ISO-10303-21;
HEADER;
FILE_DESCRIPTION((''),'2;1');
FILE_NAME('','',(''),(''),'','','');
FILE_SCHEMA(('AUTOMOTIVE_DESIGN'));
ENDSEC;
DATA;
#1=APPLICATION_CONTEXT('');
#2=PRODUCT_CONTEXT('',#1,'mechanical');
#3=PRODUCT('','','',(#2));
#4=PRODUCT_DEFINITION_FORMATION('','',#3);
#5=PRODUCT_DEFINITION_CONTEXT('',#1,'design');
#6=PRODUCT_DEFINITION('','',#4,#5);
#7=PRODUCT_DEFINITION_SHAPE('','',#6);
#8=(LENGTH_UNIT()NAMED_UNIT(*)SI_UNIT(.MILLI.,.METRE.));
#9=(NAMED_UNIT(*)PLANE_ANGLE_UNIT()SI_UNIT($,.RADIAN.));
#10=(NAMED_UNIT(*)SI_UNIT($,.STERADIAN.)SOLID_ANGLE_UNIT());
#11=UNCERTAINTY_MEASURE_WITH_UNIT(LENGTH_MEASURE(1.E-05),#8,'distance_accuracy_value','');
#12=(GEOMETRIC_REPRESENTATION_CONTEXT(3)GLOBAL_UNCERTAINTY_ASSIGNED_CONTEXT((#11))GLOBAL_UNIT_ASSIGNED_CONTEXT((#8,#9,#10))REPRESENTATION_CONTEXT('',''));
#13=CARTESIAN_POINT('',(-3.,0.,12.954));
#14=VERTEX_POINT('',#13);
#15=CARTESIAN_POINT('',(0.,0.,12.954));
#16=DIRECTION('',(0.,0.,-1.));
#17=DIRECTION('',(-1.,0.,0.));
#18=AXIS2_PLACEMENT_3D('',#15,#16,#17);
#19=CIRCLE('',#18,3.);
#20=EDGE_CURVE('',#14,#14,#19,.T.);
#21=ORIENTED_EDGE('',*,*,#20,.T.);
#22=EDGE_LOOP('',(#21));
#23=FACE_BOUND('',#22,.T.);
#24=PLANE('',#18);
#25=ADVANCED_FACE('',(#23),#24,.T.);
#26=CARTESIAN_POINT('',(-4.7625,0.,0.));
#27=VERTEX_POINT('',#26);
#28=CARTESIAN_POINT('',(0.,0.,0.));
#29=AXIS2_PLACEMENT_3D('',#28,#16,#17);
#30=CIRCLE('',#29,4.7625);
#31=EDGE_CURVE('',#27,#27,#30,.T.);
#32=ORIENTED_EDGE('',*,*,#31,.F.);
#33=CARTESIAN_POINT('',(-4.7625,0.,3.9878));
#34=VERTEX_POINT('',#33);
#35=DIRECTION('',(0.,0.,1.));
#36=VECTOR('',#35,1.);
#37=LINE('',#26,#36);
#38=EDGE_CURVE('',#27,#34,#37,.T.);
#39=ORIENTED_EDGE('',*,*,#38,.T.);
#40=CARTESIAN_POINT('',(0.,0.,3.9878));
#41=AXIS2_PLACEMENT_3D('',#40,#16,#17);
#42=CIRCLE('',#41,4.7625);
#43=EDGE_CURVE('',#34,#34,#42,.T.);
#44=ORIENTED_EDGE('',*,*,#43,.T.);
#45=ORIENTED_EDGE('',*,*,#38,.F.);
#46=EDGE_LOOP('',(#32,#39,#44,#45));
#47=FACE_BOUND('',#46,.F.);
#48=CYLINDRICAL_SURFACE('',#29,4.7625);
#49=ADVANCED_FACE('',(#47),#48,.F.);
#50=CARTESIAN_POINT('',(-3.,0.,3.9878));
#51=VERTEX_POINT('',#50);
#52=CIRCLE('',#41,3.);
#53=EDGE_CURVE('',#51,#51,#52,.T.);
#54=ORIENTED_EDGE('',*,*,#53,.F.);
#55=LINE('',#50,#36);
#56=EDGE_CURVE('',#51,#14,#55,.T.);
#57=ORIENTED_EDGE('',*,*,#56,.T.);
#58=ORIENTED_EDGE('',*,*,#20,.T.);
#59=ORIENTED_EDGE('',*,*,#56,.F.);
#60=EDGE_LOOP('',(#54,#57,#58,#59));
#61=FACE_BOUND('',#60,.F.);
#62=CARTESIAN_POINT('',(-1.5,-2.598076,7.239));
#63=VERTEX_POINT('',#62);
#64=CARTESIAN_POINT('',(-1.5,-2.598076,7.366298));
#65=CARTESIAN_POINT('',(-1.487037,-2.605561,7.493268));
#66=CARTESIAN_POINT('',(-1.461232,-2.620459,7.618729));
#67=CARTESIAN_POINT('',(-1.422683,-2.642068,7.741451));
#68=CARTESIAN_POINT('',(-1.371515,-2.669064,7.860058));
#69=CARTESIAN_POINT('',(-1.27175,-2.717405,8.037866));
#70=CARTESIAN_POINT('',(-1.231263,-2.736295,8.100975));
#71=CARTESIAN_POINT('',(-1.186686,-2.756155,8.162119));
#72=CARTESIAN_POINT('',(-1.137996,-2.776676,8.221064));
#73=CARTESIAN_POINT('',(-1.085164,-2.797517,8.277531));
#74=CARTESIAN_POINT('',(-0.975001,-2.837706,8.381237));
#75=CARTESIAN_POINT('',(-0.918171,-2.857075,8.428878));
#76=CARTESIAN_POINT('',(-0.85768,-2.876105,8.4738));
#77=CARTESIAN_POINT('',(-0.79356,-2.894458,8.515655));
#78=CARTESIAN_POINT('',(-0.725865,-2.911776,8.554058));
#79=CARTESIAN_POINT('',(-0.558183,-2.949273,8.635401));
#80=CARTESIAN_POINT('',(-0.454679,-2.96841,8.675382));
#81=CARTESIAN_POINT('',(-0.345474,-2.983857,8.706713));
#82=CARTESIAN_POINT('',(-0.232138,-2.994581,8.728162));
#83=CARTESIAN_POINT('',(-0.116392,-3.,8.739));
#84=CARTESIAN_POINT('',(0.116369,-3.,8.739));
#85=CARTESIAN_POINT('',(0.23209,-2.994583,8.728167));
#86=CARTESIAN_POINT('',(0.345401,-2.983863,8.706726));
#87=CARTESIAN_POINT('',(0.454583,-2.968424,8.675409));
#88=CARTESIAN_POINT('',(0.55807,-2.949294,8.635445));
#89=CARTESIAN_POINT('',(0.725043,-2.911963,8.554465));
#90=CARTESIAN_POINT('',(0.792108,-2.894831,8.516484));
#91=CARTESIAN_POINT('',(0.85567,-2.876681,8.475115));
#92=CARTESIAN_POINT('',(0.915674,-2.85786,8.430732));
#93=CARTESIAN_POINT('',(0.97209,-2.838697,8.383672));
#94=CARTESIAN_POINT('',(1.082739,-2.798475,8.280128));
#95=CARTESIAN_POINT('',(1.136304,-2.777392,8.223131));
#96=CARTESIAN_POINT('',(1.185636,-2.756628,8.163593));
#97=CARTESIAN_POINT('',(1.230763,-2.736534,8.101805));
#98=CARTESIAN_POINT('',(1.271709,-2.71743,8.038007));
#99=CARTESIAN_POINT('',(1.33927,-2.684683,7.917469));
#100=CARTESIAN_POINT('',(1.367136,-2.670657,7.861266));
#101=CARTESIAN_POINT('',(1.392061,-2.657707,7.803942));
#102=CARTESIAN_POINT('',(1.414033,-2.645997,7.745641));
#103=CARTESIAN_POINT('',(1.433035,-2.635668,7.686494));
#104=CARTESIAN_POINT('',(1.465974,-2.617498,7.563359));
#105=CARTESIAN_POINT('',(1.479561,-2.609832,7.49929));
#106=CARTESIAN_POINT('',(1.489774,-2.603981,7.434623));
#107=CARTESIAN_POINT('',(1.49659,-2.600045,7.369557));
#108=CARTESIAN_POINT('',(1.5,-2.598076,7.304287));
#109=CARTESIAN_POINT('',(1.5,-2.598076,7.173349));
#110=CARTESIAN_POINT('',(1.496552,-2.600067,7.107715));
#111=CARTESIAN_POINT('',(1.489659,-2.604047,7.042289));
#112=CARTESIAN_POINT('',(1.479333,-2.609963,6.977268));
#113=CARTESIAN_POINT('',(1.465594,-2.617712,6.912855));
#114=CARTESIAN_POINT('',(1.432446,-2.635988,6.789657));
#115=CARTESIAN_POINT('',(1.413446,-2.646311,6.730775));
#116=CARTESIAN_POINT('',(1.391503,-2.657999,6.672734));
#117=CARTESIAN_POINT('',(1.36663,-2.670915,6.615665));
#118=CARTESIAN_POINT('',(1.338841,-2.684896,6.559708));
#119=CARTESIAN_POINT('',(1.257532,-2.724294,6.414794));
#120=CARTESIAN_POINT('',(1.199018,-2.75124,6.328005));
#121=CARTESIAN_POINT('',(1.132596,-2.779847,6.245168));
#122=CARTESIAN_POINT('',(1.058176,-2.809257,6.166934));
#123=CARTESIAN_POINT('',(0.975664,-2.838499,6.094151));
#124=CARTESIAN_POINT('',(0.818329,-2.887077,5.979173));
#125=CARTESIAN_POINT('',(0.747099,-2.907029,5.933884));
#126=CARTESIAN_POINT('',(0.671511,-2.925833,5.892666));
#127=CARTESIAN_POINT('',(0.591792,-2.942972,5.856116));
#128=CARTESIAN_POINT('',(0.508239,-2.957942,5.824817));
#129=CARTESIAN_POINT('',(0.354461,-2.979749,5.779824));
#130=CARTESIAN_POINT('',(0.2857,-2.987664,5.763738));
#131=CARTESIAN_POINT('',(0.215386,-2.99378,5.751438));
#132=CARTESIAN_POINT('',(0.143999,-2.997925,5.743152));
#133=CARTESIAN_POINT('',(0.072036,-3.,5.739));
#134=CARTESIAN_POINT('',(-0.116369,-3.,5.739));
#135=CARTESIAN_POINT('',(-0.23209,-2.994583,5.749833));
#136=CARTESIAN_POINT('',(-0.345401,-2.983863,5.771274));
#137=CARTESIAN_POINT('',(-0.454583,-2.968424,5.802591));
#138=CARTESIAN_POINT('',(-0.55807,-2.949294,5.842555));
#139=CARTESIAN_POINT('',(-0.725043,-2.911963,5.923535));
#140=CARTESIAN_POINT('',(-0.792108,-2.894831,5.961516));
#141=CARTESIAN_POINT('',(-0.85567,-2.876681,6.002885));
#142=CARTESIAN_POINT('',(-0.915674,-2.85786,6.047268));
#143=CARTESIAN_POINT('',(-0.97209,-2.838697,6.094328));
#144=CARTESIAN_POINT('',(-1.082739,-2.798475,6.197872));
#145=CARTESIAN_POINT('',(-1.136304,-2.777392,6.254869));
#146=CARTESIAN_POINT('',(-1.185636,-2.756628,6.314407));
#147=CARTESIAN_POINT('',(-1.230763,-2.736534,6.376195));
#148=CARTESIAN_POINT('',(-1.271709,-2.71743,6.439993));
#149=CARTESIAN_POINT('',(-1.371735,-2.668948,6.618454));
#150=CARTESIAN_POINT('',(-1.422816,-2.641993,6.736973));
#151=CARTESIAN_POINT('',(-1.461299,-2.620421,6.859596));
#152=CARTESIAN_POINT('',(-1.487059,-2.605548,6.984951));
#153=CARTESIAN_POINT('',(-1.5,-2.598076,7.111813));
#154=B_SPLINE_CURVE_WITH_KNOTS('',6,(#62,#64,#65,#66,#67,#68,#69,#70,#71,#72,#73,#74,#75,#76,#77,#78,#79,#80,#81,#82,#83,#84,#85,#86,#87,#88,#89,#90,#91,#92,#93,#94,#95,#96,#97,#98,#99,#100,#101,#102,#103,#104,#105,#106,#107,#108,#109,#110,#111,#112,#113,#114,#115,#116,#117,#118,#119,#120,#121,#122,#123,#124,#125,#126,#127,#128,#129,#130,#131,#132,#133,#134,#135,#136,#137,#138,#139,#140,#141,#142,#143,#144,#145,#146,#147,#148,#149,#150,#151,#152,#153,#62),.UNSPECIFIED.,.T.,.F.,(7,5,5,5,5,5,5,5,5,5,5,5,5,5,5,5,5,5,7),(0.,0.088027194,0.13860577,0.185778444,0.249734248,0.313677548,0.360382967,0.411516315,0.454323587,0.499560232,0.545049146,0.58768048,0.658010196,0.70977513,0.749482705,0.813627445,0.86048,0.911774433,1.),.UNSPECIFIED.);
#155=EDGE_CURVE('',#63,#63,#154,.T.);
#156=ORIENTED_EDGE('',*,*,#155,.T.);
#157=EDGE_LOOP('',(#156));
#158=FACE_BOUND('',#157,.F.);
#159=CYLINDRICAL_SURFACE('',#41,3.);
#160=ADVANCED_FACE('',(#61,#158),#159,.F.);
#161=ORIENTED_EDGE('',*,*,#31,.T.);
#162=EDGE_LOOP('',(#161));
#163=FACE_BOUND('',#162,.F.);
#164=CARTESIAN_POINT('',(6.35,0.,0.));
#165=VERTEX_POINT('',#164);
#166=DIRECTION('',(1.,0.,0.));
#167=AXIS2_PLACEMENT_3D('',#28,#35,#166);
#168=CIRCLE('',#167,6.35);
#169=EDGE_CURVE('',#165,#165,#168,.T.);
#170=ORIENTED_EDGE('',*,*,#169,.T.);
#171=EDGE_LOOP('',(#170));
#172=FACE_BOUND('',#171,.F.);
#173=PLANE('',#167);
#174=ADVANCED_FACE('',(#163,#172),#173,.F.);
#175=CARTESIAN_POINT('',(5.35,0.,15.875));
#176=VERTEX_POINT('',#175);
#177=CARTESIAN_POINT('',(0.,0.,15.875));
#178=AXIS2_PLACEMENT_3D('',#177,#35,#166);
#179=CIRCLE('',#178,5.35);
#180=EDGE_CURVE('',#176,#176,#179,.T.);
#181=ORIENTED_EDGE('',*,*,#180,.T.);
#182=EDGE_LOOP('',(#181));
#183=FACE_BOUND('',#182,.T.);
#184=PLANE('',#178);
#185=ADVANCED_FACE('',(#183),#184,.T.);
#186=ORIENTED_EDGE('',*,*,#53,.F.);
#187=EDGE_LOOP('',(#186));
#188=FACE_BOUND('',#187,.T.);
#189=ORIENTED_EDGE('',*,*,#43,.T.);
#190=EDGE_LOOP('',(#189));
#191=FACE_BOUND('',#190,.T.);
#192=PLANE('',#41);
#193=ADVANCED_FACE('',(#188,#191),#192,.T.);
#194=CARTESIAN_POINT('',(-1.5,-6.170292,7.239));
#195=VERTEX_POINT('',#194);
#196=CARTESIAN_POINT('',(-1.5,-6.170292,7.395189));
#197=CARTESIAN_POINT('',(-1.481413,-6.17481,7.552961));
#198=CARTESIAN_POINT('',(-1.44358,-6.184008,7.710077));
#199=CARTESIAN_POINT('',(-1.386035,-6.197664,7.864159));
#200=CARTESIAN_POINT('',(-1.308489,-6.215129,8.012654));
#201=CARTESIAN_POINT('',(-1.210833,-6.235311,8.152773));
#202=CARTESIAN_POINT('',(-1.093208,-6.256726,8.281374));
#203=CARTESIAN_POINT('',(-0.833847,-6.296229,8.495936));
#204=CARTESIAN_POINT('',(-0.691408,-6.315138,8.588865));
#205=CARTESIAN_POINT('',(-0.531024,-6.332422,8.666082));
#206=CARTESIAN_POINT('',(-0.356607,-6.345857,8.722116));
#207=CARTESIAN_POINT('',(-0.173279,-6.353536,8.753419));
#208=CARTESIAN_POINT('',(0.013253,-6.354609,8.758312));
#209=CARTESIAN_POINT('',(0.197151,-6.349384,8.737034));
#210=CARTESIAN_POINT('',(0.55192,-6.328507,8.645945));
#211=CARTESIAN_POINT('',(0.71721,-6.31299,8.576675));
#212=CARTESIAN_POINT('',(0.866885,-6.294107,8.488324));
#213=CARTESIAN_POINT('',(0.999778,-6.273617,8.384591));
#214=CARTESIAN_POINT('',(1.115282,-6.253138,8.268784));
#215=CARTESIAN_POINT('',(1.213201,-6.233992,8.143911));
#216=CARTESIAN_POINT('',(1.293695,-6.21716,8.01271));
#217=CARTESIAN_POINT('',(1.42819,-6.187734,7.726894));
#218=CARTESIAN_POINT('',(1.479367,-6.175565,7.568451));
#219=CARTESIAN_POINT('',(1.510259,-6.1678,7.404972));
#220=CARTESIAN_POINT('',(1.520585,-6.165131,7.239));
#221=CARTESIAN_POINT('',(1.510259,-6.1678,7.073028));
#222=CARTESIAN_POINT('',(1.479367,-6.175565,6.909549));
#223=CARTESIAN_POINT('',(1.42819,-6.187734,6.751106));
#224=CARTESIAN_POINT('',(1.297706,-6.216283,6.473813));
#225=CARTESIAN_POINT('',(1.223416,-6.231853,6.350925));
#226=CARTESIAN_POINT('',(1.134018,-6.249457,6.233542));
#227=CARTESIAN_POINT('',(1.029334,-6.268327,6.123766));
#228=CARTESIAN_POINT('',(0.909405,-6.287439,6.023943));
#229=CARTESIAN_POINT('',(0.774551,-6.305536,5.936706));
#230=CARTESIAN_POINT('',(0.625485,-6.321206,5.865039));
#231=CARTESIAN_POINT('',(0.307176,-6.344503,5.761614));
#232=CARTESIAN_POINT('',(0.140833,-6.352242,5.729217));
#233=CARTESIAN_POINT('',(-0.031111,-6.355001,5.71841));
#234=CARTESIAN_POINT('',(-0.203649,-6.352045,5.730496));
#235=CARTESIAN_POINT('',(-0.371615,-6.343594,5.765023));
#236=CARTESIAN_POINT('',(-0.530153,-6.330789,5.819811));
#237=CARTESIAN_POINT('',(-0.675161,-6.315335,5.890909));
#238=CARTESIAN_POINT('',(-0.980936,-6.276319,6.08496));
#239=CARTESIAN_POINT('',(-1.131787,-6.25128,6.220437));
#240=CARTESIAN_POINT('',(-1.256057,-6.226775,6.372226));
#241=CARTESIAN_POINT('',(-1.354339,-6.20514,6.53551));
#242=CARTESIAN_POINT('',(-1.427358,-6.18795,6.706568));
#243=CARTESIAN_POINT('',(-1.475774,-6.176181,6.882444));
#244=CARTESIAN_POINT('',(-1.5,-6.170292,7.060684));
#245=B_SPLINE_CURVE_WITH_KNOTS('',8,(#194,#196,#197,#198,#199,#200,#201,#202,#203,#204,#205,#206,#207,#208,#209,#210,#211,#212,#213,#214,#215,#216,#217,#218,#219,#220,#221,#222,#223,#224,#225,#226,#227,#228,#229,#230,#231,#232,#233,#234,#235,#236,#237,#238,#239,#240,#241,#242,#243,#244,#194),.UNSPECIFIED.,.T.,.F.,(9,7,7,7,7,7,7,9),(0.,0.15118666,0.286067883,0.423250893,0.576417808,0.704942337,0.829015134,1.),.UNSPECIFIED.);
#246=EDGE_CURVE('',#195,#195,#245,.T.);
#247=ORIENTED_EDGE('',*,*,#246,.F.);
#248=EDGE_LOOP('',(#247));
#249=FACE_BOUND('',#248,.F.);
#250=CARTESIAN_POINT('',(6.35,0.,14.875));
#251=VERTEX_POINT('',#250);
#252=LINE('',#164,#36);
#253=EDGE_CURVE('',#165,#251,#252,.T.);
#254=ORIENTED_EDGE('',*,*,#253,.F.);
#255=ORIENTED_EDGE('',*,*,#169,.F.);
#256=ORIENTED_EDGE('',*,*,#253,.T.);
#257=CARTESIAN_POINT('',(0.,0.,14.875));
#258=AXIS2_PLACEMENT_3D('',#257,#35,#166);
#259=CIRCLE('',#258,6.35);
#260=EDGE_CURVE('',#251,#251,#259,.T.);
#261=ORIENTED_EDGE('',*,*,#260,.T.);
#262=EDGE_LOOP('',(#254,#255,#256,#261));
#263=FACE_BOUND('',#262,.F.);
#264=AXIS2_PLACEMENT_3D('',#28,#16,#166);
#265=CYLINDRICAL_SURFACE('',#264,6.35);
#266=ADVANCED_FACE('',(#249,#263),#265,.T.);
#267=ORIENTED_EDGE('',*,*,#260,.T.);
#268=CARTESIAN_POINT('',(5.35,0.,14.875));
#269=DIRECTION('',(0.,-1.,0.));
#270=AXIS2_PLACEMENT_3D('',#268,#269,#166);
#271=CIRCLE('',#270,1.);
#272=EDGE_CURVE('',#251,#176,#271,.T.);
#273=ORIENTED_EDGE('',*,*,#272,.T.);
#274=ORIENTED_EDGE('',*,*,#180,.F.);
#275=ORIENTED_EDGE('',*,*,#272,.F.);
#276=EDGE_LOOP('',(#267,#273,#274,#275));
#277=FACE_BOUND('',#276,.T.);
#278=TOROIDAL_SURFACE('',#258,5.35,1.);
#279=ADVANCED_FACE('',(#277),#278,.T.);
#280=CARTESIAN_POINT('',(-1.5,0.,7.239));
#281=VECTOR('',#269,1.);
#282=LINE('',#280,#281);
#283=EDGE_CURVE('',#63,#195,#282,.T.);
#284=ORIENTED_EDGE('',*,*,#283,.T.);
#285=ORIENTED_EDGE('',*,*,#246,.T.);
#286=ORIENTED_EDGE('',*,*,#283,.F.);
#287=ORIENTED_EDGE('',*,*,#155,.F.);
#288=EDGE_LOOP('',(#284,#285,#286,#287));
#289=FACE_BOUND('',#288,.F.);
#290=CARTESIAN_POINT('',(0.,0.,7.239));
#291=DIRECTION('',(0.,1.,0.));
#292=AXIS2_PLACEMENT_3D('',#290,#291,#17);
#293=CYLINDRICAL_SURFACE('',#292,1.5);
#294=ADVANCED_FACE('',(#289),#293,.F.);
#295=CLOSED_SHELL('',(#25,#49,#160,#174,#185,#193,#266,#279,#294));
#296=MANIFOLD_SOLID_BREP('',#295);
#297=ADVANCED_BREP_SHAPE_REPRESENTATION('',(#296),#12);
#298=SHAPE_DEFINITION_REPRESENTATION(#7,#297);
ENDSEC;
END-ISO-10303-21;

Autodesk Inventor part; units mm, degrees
ref_plane "YZ Plane" through (0, 0, 0) normal (1, 0, 0) x (0, 1, 0)
ref_plane "XZ Plane" through (0, 0, 0) normal (0, 1, 0) x (-1, 0, 0)
ref_plane "XY Plane" through (0, 0, 0) normal (0, 0, 1) x (1, 0, 0)
sketch "Sketch1" plane through (0, 0, 0) normal (0, 0, 1) x (1, 0, 0)
  circle A0 centre (0, 0) radius 6.35
  dimension "d0" = 12.7
extrude "Extrusion1" add sketch "Sketch1" along normal blind 15.875
fillet "Fillet1" radius 1 1 edges at (-6.35, 0, 15.875)
sketch "Sketch2" plane through (0, 0, 0) normal (0, 0, -1) x (-1, 0, 0)
  circle A0 centre (0, 0) radius 4.7625
  dimension "d4" = 9.525
extrude "Extrusion2" cut sketch "Sketch2" against normal blind 3.9878
sketch "Sketch3" plane through (0, 0, 3.9878) normal (0, 0, -1) x (-1, 0, 0)
  circle A0 centre (0, 0) radius 3
  dimension "d7" = 6
extrude "Extrusion3" cut sketch "Sketch3" against normal blind 8.9662
sketch "Sketch4" plane through (0, 0, 0) normal (0, 1, 0) x (-1, 0, 0)
  circle A0 centre (0, 7.239) radius 1.5
  line L0 (6.35, 0) -> (-6.35, 0) projected
  point P0 (0, 0)
  dimension "d10" = 3
  dimension "d11" = 7.239
extrude "Extrusion4" cut sketch "Sketch4" against normal blind 16.9418
properties part number "Encoder knob"
